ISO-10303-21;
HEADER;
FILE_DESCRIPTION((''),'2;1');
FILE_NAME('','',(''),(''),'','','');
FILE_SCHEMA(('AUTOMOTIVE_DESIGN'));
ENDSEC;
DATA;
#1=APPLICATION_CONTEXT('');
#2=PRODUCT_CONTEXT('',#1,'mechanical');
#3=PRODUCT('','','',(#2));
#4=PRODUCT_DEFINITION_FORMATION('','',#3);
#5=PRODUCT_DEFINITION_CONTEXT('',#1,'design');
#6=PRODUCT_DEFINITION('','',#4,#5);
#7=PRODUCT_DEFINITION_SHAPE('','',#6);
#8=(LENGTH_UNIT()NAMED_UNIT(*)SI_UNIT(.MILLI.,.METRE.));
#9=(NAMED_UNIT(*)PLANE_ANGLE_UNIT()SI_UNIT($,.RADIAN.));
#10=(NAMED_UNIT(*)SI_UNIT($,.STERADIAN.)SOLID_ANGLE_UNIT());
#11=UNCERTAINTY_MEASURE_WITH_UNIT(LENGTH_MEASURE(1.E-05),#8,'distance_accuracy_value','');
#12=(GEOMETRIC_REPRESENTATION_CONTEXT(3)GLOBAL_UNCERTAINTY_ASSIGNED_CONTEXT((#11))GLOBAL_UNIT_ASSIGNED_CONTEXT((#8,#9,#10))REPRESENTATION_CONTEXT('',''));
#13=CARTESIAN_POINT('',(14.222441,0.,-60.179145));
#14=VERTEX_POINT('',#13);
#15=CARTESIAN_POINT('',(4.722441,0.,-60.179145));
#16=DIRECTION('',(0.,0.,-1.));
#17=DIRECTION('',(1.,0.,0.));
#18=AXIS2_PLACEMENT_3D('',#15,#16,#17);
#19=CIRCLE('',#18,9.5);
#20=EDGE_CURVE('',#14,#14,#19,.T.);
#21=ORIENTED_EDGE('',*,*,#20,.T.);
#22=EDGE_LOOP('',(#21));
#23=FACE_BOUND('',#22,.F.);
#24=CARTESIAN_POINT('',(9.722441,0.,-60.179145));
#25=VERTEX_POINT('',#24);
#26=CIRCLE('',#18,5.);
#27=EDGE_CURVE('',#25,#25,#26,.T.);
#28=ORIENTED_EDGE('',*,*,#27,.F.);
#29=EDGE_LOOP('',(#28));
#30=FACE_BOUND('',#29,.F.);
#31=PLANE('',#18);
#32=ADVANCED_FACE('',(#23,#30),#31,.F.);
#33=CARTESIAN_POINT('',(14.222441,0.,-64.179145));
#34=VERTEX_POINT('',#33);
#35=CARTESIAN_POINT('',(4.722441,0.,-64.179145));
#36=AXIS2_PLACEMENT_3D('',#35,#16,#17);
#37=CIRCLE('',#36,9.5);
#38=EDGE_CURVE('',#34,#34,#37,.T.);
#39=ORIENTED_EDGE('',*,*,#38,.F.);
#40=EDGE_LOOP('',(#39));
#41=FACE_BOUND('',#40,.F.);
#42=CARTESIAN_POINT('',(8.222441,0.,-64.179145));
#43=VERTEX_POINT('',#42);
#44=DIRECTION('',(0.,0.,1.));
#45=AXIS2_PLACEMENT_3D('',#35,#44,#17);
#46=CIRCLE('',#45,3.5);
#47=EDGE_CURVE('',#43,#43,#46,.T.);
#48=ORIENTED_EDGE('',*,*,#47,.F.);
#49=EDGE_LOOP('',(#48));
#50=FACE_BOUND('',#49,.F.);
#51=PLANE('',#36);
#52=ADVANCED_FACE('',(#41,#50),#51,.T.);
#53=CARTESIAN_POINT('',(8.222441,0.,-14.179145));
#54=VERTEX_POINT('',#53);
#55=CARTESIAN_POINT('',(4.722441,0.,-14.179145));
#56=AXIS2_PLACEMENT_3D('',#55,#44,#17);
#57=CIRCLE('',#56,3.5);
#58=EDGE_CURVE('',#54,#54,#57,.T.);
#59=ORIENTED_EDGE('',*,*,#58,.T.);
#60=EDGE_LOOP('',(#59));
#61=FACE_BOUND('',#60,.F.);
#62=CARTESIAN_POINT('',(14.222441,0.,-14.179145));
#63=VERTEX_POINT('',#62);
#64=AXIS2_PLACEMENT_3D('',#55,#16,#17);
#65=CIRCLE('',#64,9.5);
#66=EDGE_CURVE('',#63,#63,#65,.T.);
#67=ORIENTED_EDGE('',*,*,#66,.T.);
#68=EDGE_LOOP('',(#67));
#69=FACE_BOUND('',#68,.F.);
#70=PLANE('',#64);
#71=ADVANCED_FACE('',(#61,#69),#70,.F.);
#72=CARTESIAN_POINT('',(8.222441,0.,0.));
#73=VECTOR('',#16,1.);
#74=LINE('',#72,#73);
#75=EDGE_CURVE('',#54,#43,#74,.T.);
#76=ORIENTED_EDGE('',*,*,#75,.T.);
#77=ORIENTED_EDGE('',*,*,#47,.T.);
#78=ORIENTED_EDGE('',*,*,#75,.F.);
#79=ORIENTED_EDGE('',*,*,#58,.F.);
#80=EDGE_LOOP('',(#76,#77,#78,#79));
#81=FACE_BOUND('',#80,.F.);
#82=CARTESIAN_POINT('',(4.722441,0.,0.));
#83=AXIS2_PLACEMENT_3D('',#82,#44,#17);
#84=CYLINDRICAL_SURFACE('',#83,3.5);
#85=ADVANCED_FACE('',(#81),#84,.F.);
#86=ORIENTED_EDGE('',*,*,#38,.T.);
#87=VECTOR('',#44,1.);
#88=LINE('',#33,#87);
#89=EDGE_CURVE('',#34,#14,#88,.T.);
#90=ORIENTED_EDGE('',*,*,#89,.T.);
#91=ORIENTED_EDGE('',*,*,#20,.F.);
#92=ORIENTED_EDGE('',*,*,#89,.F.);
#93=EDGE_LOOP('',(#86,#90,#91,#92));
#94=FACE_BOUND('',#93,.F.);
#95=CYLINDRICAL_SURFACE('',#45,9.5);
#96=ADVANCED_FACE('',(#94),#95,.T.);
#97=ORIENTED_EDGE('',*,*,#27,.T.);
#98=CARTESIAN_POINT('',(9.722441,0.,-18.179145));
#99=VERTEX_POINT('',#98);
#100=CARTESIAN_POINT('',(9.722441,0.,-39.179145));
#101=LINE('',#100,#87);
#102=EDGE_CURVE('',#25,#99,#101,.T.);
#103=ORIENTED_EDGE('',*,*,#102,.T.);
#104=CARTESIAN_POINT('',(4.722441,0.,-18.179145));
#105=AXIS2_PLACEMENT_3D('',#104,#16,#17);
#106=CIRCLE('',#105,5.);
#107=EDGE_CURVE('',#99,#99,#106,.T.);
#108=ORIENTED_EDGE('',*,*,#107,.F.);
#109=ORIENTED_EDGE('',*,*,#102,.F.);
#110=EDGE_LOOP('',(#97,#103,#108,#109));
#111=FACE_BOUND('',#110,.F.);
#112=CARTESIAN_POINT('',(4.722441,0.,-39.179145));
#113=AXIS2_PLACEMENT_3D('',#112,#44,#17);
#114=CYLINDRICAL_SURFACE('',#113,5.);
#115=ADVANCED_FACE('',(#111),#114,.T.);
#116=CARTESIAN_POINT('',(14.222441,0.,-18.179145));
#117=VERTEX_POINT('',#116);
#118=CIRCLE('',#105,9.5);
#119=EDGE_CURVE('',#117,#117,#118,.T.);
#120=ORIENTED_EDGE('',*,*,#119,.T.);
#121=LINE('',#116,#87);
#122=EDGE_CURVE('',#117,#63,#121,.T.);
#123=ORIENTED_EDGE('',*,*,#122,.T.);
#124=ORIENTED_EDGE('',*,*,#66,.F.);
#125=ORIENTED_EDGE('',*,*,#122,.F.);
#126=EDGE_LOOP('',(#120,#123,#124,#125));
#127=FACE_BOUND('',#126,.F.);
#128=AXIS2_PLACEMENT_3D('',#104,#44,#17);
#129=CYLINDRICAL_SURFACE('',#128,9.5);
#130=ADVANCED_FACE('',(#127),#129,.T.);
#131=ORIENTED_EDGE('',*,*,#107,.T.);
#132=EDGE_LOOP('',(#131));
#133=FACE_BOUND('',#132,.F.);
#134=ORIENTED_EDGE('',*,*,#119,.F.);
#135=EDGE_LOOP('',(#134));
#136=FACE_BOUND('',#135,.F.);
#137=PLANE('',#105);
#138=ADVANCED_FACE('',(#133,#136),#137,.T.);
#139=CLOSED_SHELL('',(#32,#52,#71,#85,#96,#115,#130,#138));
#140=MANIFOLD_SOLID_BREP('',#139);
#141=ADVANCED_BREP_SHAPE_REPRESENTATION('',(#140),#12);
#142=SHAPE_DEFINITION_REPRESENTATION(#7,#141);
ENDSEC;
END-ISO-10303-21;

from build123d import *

# Parameters (mm, degrees)
F0_W     = 5
F0_H     = 42
F2_R     = 3.5
F3_DEPTH = 71


with BuildPart() as f1:
    # F0 (on Front) → F1 (revolve)
    with BuildSketch(Plane.XZ):
        Polygon((14.222441, -14.179145), (4.722441, -14.179145), (4.722441, -18.179145), (9.722441, -18.179145), (14.222441, -18.179145), align=None)
        with Locations((7.222441, -39.179145)):
            Rectangle(F0_W, F0_H)
        Polygon((9.722441, -60.179145), (4.722441, -60.179145), (4.722441, -64.179145), (14.222441, -64.179145), (14.222441, -60.179145), align=None)
    revolve(axis=Axis((4.722441, 0, -38.490642), (0, 0, -1)))

    # F2 (on Top) → F3 (cut)
    with BuildSketch(Plane.XY):
        with Locations((4.722441, 0)):
            Circle(F2_R)
    extrude(amount=-F3_DEPTH, mode=Mode.SUBTRACT)


solid = f1.part
